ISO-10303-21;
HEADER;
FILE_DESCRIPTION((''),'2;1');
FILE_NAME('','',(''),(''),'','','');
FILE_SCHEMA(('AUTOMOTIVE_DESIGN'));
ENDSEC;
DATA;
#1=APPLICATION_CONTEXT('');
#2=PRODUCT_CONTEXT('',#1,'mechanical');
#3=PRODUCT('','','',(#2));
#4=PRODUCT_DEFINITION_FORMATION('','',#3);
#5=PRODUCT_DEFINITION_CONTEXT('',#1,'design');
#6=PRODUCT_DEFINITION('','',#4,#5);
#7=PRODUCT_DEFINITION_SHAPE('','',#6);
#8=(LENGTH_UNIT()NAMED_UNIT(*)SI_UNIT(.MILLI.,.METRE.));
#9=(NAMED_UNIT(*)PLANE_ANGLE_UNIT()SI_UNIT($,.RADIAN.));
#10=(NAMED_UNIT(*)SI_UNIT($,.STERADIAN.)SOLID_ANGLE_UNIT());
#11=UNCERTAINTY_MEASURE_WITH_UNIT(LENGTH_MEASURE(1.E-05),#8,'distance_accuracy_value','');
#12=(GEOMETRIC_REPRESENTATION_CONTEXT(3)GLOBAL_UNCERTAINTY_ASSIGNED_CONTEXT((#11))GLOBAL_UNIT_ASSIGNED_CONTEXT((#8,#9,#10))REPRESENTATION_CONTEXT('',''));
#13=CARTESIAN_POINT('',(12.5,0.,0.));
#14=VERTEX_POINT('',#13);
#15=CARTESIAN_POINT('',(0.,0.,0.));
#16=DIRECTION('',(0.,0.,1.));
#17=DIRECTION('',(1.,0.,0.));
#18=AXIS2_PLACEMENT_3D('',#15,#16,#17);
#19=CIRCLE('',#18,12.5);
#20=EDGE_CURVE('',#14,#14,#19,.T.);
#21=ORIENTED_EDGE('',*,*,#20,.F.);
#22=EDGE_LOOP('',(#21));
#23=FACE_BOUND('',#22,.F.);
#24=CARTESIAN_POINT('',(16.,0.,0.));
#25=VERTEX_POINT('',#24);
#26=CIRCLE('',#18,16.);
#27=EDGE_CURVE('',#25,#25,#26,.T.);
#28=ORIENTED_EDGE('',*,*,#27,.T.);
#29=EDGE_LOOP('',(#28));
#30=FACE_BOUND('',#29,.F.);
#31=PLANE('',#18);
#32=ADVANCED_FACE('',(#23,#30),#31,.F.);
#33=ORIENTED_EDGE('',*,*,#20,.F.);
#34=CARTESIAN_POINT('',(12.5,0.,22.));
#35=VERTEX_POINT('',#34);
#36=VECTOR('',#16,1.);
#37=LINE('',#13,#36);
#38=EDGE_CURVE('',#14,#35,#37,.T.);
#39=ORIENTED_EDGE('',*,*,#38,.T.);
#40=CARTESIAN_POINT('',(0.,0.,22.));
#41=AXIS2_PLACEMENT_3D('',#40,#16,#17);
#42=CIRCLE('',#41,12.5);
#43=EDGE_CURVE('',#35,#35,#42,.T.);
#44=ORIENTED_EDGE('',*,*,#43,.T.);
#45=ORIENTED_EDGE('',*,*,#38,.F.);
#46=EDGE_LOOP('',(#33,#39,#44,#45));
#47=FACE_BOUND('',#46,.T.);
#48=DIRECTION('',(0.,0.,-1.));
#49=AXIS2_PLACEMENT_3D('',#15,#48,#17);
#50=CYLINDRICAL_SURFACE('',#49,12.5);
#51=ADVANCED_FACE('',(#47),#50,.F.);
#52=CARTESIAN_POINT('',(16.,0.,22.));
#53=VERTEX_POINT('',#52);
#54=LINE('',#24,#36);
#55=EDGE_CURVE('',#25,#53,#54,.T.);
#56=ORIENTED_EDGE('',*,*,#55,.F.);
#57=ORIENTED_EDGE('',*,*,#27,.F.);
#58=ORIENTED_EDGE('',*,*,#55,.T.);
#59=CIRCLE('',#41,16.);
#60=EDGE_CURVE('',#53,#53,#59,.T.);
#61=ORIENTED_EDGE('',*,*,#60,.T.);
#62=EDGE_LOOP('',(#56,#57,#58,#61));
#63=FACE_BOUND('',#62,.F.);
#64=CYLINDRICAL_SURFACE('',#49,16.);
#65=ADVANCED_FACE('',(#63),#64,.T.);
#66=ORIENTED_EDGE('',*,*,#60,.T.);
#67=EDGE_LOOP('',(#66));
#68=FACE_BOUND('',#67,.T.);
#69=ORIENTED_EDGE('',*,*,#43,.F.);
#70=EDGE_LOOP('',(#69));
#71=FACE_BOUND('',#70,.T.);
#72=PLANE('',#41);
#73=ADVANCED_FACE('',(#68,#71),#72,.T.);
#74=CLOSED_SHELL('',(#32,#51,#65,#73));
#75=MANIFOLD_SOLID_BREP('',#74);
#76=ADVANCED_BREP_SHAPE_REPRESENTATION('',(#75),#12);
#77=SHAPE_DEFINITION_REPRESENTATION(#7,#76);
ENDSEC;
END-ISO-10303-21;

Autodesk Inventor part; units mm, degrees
ref_plane "YZ Plane" through (0, 0, 0) normal (1, 0, 0) x (0, 1, 0)
ref_plane "XZ Plane" through (0, 0, 0) normal (0, 1, 0) x (-1, 0, 0)
ref_plane "XY Plane" through (0, 0, 0) normal (0, 0, 1) x (1, 0, 0)
sketch "Náčrt1" plane through (0, 0, 0) normal (0, 0, 1) x (1, 0, 0)
  circle A0 centre (0, 0) radius 12.5
  circle A1 centre (0, 0) radius 16
  dimension "d0" = 25
  dimension "d1" = 32
extrude "Vysunutí1" add sketch "Náčrt1" along normal blind 22
properties part number "silicon bublebum"
